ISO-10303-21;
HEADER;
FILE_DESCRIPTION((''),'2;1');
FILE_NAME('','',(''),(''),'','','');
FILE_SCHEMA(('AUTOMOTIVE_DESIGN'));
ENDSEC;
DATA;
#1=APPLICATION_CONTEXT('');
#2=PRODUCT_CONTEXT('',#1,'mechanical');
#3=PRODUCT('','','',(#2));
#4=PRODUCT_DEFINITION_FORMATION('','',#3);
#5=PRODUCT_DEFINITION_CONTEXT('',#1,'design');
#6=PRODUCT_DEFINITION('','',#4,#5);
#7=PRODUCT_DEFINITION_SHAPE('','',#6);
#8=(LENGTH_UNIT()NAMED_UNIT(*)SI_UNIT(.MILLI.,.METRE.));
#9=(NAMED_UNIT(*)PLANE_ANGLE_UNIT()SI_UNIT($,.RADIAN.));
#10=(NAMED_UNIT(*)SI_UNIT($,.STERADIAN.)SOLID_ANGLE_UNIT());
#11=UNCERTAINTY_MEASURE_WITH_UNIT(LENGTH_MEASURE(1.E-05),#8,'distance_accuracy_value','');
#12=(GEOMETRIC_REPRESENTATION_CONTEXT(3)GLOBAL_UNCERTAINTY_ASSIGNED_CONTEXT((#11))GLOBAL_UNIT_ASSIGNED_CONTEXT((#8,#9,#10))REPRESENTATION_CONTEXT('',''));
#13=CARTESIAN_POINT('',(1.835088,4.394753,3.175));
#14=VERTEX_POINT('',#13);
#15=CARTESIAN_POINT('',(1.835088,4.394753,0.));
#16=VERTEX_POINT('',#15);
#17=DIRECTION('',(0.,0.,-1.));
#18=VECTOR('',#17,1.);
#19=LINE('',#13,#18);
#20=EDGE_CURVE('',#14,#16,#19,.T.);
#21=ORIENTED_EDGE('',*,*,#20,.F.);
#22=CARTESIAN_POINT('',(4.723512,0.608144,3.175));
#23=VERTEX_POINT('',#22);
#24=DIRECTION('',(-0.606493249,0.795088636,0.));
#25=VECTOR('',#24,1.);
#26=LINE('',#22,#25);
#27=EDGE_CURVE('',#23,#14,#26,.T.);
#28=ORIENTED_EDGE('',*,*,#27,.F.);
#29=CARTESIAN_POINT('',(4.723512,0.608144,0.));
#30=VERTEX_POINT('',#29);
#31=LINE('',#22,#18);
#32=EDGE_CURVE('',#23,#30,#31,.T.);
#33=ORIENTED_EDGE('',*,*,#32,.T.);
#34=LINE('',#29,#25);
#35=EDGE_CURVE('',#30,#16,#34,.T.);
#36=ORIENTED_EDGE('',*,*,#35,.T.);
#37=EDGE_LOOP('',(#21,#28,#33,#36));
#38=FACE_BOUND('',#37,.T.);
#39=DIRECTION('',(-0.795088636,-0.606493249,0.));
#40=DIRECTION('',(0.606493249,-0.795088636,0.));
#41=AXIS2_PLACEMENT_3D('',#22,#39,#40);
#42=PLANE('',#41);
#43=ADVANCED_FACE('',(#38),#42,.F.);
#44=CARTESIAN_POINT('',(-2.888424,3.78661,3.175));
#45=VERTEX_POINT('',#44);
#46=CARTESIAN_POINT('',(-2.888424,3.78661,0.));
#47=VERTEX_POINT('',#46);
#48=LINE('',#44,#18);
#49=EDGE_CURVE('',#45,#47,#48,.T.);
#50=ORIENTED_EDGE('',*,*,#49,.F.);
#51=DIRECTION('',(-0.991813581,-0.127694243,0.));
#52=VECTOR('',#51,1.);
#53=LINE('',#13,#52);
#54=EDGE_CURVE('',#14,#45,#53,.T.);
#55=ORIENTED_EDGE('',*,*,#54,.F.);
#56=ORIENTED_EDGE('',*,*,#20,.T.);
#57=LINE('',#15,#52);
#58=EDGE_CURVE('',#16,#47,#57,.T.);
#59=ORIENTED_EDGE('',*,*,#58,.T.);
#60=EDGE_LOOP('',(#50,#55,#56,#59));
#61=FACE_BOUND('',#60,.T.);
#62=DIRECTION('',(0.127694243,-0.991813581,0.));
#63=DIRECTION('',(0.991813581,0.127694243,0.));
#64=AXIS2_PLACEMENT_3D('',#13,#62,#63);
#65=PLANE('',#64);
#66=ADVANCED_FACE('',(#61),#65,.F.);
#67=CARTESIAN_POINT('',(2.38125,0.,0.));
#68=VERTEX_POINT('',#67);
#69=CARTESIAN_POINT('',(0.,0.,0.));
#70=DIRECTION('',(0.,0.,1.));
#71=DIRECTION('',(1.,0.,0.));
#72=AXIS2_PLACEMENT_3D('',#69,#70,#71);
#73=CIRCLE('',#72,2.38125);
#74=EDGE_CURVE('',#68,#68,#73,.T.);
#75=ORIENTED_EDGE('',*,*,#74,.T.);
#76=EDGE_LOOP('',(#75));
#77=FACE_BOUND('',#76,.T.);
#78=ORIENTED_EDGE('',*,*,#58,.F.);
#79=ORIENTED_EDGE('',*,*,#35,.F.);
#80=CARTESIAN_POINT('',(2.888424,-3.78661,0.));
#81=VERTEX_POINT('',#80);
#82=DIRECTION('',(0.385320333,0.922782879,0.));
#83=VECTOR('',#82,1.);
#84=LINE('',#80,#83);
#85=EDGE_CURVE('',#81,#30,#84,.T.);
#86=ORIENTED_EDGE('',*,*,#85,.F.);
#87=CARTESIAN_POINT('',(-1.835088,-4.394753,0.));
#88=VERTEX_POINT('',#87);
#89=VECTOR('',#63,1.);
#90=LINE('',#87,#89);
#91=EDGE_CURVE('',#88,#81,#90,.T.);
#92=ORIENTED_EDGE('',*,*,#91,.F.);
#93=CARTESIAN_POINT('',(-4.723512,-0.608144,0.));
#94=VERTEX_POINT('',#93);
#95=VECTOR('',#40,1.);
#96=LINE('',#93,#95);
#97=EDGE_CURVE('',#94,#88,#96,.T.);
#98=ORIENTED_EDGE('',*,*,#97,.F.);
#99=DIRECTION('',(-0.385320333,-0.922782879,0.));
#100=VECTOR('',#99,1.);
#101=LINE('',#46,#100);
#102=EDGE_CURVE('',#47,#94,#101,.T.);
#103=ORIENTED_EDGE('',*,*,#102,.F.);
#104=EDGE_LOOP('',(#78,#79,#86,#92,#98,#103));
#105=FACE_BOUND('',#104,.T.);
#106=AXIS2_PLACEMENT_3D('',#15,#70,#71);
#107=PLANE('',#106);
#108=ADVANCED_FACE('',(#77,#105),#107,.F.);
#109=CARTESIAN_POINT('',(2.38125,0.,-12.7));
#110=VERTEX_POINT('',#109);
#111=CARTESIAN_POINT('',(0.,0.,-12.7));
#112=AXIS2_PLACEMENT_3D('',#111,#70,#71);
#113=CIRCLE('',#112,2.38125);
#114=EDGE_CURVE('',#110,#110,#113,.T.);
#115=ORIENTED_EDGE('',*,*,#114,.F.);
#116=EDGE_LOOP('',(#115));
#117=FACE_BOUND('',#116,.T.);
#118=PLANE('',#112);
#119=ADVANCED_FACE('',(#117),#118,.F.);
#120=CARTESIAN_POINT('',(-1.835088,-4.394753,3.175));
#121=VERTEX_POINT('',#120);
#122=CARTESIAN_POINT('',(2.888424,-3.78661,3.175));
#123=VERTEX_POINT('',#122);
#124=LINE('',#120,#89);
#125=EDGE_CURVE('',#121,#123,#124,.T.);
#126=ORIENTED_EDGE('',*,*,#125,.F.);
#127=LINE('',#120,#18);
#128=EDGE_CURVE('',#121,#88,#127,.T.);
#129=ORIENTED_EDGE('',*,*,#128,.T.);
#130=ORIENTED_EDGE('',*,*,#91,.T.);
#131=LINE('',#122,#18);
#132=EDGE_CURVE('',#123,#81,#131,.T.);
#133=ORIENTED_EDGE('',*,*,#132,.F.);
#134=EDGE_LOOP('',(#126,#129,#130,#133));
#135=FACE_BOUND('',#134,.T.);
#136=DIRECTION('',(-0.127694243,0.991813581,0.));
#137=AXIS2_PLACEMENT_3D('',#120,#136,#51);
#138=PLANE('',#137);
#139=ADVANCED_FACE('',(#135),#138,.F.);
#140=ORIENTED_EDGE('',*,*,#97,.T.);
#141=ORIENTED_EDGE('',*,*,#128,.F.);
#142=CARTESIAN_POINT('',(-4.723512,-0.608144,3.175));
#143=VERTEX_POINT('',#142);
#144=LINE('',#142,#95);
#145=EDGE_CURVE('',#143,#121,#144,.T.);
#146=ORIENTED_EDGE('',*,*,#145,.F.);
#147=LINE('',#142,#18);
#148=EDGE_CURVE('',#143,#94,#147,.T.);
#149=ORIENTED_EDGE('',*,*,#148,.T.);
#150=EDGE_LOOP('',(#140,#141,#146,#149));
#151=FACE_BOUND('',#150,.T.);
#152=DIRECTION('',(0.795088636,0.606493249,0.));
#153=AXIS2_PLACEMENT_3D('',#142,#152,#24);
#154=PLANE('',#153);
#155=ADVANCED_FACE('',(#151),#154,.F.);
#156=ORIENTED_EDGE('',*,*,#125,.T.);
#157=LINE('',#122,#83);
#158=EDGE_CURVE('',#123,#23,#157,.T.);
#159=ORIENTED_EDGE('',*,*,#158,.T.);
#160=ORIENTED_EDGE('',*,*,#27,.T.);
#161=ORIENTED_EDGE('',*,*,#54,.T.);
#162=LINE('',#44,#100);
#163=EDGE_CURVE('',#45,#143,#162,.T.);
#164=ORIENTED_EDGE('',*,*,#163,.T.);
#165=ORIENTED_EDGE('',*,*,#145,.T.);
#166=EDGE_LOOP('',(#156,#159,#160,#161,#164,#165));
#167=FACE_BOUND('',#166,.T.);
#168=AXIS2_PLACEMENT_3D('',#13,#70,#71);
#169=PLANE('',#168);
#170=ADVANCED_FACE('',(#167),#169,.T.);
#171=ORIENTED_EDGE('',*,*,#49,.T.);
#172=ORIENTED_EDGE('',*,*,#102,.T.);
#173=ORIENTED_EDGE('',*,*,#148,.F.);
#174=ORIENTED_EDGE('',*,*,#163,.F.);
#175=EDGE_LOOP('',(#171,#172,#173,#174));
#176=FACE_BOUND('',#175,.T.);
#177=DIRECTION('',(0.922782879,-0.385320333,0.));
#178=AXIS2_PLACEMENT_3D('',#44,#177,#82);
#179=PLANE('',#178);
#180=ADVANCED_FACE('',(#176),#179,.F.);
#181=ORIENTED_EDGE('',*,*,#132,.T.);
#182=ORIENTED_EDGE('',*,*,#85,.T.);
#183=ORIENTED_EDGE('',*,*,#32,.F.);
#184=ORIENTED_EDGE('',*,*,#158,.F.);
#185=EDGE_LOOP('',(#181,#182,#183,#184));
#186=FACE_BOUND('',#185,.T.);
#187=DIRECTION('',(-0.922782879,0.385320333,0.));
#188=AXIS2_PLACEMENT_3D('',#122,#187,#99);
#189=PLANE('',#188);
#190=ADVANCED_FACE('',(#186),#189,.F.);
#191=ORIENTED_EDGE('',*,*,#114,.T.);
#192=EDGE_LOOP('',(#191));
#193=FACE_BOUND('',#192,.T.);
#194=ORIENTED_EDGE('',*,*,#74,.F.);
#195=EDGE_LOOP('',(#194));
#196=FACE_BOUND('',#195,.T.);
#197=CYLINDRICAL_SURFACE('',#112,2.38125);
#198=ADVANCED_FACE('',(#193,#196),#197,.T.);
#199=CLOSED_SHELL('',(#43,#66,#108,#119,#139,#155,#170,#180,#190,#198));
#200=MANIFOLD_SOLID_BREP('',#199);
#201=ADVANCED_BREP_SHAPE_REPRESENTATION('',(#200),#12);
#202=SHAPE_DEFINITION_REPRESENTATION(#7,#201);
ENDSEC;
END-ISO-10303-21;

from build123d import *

# Parameters (mm, degrees)
SKETCH1_R      = 2.38125
EXTRUDE1_DEPTH = 12.7
EXTRUDE2_DEPTH = 3.175


with BuildPart() as part:
    # Sketch1 → Extrude1 (new body)
    with BuildSketch(Plane.XY):
        Circle(SKETCH1_R)
    extrude(amount=-EXTRUDE1_DEPTH)

    # Sketch2 → Extrude2 (add)
    with BuildSketch(Plane.XY):
        Polygon((1.835088085, 4.39475346), (-2.888424097, 3.786609629), (-4.723512182, -0.60814383), (-1.835088085, -4.39475346), (2.888424097, -3.786609629), (4.723512182, 0.60814383), align=None)
    extrude(amount=EXTRUDE2_DEPTH)


solid = part.part
